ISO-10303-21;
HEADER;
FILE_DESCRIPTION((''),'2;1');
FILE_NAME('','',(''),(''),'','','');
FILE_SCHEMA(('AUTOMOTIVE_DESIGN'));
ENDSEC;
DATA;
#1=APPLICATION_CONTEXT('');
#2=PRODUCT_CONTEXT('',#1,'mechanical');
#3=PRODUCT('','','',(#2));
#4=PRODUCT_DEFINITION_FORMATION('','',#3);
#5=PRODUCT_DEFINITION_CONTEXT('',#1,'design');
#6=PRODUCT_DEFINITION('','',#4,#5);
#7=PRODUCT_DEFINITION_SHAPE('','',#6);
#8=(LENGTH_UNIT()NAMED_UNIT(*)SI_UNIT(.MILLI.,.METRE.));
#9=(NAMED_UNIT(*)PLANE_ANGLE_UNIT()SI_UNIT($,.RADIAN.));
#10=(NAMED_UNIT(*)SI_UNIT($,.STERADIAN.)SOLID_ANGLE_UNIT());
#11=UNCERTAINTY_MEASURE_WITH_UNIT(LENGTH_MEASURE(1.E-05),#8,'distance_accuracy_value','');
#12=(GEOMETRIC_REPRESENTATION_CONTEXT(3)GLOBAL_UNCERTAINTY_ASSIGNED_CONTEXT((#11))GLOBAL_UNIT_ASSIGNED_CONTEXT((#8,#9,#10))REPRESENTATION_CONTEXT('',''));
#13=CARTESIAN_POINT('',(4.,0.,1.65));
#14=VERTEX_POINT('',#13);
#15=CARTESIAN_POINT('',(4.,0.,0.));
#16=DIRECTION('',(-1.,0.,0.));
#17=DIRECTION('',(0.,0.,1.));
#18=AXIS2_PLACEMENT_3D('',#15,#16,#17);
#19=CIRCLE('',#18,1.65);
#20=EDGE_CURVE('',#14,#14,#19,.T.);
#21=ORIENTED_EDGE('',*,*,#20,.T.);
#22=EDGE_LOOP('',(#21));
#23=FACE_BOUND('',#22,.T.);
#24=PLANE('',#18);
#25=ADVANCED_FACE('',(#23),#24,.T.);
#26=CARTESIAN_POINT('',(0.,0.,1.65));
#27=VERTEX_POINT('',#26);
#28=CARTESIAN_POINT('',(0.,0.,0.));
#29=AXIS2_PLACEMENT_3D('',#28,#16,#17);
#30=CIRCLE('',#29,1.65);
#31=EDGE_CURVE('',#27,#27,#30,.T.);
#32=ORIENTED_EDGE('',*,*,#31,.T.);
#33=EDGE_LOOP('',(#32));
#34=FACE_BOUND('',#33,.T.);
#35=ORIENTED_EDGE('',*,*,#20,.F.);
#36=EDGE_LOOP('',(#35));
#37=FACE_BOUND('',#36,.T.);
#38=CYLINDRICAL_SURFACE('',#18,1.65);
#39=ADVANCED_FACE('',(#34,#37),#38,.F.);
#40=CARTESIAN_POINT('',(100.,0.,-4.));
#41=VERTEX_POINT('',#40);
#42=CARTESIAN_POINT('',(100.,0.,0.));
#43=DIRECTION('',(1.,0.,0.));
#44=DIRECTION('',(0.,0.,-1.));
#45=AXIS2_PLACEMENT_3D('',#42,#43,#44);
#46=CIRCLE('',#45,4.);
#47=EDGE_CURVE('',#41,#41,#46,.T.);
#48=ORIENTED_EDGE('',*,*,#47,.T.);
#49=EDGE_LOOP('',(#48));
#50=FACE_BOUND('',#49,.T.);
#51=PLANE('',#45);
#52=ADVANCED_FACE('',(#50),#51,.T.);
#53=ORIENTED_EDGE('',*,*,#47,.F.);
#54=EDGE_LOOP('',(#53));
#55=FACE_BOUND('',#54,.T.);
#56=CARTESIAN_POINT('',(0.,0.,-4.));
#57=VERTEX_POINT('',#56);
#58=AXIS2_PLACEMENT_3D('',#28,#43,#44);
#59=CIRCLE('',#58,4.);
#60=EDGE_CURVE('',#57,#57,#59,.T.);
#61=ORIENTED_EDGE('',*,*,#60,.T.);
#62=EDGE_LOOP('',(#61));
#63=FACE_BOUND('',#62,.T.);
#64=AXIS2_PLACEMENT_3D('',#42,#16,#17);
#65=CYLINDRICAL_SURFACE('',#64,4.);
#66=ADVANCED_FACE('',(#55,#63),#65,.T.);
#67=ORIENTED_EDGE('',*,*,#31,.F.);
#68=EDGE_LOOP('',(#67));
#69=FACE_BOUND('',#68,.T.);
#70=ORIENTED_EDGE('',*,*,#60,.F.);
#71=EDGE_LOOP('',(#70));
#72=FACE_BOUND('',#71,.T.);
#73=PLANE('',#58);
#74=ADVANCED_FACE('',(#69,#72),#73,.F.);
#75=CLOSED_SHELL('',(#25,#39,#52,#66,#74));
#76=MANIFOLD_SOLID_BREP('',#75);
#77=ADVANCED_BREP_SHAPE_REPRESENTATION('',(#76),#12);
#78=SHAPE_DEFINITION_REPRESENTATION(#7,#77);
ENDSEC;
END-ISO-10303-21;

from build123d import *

# Parameters (mm, degrees)
SKIZZE1_R                       = 4
AUFSATZ_LINEAR_AUSTRAGEN1_DEPTH = 100
SKIZZE2_R                       = 1.65
SCHNITT_LINEAR_AUSTRAGEN1_DEPTH = 4


with BuildPart() as part:
    # Skizze1 → Aufsatz-Linear austragen1 (new body)
    with BuildSketch(Plane(origin=(0, 0, 0), x_dir=(0, 0, -1), z_dir=(1, 0, 0))):
        Circle(SKIZZE1_R)
    extrude(amount=AUFSATZ_LINEAR_AUSTRAGEN1_DEPTH)

    # Skizze2 → Schnitt-Linear austragen1 (cut)
    with BuildSketch(Plane.ZY):
        Circle(SKIZZE2_R)
    extrude(amount=-SCHNITT_LINEAR_AUSTRAGEN1_DEPTH, mode=Mode.SUBTRACT)


solid = part.part
